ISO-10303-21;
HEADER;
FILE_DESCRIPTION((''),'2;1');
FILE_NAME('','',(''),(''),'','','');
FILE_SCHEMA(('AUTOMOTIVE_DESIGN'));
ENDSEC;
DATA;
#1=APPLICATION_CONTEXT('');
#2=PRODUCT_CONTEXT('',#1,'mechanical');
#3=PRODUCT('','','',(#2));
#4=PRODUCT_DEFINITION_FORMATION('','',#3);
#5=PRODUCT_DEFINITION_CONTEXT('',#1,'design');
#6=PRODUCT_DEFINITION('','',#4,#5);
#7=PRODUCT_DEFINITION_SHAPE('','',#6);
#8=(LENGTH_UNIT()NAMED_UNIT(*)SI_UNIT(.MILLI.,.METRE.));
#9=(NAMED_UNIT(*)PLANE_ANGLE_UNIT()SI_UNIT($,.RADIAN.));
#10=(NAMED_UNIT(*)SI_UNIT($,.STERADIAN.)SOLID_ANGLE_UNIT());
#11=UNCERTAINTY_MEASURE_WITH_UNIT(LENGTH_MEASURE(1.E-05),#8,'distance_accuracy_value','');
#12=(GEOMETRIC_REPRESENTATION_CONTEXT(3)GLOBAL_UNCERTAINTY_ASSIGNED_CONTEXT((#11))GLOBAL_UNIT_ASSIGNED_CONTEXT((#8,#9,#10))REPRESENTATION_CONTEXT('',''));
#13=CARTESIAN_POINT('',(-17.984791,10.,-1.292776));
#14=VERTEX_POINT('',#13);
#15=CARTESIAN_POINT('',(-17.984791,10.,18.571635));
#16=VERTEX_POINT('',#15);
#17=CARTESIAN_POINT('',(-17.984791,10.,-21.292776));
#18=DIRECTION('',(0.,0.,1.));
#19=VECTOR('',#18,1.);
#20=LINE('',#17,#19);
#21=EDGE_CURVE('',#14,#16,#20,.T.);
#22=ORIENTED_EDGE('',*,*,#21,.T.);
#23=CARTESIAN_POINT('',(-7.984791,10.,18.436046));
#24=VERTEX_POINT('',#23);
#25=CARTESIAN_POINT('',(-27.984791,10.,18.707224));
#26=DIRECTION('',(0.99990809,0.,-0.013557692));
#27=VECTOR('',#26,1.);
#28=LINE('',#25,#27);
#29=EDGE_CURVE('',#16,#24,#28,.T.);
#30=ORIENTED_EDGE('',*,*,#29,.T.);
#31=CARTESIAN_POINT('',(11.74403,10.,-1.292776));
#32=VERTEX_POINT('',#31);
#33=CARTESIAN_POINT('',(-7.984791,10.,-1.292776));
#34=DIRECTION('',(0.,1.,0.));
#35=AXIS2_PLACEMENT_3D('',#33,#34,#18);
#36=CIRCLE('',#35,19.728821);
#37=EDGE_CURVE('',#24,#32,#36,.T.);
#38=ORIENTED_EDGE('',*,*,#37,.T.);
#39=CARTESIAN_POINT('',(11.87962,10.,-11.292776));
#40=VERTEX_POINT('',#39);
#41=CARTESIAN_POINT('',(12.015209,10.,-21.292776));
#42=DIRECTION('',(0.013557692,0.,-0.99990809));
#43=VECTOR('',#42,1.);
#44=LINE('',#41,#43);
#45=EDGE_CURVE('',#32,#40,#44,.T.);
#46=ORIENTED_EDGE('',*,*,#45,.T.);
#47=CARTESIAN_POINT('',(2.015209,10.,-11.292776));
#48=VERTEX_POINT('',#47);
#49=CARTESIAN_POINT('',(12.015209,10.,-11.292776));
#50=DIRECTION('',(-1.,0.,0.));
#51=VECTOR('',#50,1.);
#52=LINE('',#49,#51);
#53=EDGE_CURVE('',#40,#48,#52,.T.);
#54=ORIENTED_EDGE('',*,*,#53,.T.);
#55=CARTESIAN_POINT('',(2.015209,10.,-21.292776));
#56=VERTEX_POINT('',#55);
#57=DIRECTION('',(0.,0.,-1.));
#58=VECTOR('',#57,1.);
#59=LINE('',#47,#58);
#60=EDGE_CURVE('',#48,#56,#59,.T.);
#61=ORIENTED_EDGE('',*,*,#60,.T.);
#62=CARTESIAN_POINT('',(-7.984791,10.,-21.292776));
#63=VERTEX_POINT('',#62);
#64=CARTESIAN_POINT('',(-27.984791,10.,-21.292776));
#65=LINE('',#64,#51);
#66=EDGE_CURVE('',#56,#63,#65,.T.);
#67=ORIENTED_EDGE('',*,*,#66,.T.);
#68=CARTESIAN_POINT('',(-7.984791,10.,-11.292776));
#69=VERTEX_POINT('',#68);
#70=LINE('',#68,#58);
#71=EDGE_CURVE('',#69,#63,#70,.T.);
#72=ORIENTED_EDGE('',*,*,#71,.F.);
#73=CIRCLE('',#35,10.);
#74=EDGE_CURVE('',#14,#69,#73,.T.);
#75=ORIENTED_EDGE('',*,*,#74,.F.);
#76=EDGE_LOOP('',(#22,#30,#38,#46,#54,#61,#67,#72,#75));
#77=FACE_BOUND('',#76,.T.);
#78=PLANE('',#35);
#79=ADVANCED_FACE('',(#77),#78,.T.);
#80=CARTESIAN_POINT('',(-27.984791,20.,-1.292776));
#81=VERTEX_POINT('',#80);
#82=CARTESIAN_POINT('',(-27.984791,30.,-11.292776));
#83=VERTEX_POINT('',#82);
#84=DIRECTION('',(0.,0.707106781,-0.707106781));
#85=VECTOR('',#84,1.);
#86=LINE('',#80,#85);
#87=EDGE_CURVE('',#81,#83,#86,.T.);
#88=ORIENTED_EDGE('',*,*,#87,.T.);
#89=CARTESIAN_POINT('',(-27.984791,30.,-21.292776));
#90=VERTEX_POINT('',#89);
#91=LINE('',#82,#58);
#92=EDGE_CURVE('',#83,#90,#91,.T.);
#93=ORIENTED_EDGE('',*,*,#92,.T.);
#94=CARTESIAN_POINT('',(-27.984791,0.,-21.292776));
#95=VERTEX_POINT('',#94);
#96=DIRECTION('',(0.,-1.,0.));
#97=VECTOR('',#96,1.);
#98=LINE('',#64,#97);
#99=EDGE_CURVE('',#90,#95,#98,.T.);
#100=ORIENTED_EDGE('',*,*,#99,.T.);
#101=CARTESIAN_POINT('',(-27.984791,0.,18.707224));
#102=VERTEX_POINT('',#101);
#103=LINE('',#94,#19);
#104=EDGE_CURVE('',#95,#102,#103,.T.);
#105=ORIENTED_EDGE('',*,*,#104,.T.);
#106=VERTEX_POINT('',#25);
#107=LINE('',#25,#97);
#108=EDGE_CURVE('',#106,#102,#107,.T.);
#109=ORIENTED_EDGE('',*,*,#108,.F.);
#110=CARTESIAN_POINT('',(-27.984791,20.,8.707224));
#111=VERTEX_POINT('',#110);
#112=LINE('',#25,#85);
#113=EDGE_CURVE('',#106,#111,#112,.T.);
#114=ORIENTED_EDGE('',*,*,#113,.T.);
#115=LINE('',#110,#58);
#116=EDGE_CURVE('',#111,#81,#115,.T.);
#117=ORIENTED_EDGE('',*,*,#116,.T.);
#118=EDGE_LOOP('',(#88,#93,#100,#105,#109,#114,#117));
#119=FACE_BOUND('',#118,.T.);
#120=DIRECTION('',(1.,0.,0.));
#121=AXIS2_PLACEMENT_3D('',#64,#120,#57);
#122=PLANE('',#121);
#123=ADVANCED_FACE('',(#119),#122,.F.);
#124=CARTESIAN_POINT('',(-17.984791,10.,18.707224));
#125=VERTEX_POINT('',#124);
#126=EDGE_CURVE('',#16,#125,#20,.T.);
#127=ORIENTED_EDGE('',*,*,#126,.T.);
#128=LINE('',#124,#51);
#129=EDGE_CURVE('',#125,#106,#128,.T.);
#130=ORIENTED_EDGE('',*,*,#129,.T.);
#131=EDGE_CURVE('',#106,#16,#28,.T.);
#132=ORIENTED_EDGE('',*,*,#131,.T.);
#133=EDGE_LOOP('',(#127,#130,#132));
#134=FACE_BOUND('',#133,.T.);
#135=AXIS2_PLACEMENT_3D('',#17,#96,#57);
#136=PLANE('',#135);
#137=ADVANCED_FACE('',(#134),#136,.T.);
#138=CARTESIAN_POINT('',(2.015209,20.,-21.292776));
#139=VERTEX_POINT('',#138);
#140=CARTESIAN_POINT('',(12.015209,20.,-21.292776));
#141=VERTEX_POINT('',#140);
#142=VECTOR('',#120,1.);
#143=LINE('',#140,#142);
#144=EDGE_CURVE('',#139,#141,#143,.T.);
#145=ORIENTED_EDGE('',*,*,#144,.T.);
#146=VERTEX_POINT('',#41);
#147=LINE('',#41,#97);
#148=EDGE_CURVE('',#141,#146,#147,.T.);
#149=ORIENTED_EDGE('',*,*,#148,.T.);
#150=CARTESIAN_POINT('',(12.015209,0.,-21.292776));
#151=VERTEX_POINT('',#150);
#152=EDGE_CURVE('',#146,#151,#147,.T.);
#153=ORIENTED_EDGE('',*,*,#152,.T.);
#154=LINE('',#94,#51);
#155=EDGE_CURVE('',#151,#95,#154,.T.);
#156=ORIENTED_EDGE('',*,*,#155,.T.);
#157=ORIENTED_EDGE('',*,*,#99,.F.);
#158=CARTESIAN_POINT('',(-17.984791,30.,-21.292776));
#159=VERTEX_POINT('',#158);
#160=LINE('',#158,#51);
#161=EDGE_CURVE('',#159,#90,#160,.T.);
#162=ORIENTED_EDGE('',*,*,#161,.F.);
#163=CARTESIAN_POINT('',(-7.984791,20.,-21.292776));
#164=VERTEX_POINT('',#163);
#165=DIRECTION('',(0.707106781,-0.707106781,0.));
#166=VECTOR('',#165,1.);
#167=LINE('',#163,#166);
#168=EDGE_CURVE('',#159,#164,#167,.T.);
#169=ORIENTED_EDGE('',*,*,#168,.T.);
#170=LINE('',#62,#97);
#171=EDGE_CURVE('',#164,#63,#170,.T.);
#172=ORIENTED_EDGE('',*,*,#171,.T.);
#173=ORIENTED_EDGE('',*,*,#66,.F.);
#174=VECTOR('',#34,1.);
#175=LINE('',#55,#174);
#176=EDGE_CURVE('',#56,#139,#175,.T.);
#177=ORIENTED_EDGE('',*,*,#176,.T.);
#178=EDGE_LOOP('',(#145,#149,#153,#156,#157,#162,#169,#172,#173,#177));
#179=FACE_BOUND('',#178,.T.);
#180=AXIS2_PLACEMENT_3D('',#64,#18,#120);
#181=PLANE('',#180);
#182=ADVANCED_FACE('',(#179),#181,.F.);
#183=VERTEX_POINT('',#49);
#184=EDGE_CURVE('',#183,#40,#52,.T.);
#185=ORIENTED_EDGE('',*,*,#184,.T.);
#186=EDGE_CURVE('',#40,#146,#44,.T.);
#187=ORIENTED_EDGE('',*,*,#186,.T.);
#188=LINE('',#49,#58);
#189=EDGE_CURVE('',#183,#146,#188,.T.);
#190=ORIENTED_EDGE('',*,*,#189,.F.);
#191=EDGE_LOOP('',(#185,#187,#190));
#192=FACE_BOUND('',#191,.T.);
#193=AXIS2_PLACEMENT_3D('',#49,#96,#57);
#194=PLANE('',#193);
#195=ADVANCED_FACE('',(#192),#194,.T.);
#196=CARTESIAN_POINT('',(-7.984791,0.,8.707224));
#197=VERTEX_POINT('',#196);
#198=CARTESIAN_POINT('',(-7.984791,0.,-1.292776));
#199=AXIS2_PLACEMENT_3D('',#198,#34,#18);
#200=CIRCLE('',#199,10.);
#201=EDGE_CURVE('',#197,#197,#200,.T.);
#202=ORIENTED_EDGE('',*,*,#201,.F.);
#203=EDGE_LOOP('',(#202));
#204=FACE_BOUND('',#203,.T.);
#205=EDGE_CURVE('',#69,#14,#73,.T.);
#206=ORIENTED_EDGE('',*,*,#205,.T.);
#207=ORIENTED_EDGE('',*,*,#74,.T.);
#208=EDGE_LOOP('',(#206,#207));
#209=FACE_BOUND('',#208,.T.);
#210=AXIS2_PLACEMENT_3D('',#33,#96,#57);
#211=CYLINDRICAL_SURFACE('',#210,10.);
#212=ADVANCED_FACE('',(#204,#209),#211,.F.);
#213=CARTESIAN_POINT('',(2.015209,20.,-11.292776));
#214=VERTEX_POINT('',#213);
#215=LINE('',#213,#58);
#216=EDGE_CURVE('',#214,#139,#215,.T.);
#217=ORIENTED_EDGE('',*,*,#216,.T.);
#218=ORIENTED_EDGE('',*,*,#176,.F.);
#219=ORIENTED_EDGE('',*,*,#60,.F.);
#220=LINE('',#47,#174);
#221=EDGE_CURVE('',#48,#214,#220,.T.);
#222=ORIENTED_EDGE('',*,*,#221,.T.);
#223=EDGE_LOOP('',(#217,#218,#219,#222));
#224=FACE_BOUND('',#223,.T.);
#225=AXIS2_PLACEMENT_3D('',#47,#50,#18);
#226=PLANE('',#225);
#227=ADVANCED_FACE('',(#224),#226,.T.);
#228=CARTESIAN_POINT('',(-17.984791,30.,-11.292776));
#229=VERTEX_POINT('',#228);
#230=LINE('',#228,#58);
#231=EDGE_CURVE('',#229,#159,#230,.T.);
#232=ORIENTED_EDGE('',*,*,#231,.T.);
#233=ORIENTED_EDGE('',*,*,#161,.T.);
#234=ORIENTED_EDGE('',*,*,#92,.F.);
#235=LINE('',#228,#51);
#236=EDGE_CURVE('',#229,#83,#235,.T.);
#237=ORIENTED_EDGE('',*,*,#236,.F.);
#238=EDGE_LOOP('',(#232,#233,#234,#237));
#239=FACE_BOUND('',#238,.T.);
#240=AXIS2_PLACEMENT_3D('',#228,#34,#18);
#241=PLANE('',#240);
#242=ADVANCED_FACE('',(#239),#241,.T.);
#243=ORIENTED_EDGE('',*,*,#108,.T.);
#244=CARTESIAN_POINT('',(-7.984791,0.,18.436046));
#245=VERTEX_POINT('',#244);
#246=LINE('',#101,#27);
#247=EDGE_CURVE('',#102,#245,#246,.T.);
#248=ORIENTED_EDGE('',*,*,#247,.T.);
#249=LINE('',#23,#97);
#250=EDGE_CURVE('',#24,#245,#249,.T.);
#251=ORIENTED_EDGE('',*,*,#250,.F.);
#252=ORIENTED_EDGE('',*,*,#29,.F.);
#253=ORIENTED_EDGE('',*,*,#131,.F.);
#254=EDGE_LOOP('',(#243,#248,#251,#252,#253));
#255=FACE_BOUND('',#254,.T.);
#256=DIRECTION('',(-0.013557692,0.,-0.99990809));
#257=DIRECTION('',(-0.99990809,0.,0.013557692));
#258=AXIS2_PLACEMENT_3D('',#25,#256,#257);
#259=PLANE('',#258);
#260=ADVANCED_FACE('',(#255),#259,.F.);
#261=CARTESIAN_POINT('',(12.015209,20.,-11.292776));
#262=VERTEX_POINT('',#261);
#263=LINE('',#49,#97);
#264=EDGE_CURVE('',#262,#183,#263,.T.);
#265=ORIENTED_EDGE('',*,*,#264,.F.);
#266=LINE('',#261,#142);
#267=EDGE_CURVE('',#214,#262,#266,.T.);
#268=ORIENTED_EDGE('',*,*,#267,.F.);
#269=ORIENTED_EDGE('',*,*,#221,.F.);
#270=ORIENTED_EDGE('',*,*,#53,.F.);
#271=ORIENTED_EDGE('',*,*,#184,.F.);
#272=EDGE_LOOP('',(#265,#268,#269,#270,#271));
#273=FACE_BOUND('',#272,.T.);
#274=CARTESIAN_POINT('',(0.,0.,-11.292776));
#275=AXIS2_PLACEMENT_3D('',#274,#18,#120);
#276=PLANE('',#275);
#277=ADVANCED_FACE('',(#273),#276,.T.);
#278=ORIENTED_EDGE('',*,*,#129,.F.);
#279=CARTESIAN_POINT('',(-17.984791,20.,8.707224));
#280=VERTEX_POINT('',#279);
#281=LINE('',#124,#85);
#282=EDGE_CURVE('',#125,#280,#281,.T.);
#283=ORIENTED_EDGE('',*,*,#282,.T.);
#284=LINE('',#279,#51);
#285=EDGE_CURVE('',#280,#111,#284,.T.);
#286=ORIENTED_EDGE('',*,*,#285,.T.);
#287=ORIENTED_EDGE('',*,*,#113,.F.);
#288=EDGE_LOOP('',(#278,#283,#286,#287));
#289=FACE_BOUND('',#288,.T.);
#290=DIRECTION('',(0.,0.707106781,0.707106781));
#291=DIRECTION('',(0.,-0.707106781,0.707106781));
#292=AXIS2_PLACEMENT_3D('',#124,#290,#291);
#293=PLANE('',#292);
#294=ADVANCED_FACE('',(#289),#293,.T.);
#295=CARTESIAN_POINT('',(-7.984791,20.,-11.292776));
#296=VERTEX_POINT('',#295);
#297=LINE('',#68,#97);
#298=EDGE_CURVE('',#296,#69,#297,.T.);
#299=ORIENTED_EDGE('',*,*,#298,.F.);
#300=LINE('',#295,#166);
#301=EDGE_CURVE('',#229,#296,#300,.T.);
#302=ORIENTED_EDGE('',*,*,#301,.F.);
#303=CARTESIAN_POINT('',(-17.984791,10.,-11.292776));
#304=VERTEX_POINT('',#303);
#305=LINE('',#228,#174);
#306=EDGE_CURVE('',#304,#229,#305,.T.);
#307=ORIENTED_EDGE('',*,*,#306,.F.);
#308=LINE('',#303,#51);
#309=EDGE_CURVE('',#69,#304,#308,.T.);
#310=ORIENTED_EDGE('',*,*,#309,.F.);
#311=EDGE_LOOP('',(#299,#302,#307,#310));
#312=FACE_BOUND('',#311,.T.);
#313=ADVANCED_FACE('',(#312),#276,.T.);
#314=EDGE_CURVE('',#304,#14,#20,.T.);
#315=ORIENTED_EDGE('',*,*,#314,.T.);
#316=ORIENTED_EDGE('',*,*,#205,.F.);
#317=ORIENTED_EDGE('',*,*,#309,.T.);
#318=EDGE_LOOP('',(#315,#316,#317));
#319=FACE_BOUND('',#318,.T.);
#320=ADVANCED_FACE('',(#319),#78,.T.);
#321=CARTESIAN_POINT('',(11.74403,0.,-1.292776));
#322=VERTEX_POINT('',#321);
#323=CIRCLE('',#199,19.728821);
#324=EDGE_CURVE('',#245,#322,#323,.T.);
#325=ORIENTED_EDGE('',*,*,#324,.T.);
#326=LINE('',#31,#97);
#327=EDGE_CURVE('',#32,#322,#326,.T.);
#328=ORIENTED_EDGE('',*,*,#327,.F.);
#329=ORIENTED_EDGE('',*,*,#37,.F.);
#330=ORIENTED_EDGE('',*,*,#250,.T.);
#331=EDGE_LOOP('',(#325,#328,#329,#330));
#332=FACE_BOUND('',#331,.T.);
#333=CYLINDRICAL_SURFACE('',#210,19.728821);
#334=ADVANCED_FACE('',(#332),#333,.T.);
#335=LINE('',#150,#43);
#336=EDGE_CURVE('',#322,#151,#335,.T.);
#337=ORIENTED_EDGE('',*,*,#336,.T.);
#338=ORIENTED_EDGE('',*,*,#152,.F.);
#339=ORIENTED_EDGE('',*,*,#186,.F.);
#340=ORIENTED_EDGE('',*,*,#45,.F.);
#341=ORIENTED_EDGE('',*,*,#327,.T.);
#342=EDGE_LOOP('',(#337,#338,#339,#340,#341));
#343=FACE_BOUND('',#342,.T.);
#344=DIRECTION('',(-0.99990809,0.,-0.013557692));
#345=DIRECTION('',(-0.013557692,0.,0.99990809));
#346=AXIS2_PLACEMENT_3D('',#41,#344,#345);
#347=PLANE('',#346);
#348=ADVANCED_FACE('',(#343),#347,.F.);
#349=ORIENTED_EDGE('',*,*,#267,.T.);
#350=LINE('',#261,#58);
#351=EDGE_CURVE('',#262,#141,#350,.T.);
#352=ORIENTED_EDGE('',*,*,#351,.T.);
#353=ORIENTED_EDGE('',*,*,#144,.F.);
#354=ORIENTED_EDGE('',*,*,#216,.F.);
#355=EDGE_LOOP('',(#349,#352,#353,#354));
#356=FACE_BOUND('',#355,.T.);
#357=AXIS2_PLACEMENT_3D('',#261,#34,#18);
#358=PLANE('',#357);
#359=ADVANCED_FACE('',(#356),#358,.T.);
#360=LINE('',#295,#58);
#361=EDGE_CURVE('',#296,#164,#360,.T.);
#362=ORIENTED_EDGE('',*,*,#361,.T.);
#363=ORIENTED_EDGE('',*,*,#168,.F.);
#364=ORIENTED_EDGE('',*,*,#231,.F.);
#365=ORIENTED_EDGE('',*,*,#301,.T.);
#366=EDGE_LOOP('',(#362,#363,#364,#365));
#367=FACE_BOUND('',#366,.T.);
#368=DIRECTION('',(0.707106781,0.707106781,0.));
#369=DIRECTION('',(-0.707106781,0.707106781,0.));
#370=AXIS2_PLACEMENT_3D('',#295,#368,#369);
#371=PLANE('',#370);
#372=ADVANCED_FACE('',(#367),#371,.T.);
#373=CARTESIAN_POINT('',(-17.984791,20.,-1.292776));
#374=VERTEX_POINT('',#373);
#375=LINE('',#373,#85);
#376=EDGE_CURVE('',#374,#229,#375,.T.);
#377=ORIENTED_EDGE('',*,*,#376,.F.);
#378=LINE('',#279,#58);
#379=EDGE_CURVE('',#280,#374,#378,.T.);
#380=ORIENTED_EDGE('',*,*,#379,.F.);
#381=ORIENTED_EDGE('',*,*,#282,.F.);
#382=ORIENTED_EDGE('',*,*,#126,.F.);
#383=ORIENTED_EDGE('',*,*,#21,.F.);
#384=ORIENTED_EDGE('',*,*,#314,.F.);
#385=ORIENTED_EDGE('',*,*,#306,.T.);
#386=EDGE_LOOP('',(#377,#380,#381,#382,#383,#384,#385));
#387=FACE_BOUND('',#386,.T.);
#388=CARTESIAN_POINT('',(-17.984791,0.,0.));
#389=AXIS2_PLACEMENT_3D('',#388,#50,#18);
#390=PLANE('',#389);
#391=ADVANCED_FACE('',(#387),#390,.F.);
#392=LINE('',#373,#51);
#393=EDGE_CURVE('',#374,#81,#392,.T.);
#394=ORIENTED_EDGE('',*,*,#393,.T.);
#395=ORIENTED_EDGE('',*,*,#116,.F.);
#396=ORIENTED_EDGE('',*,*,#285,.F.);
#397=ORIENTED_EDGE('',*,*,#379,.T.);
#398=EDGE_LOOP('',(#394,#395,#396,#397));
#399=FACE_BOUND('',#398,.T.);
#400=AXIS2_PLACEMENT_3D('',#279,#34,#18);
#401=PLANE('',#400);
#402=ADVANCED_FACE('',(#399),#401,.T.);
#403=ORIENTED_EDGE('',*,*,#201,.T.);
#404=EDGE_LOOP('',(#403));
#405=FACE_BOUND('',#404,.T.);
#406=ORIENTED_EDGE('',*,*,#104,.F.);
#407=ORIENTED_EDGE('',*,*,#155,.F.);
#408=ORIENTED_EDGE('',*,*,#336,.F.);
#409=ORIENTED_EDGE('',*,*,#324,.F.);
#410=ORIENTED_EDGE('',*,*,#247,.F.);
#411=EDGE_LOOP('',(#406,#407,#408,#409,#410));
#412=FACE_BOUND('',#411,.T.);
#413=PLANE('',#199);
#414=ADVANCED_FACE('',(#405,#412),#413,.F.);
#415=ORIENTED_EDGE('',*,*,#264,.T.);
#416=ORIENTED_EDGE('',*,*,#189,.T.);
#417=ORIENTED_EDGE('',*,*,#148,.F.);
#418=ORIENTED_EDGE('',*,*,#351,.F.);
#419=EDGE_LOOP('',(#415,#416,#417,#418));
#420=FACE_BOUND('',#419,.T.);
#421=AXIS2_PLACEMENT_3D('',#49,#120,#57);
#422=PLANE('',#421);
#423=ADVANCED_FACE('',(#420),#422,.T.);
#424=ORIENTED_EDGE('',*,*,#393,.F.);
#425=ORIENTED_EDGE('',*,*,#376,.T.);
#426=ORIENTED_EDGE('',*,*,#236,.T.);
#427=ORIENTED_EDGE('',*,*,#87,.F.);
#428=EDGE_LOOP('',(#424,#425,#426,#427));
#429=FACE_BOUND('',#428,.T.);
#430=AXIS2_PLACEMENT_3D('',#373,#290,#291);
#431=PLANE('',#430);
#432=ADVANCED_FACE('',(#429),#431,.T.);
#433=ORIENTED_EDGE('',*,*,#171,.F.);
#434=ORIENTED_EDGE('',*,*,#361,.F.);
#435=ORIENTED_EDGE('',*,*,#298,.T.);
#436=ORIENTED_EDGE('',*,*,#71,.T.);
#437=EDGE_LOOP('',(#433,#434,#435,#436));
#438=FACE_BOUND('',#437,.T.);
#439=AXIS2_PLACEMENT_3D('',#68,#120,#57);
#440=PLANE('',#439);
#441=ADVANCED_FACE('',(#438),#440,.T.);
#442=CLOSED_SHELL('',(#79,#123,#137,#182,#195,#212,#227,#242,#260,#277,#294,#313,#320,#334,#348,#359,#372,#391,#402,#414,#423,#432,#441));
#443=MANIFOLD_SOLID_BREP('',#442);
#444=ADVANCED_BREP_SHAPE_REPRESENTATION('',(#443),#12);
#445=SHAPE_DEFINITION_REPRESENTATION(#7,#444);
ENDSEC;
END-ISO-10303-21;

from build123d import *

# Parameters (mm, degrees)
SKETCH1_R           = 10
BOSS_EXTRUDE1_DEPTH = 10
BOSS_EXTRUDE2_DEPTH = 10
SKETCH3_W           = 10
SKETCH3_H           = 10
BOSS_EXTRUDE3_DEPTH = 10


with BuildPart() as part:
    # Sketch1 → Boss-Extrude1 (new body)
    with BuildSketch(Plane(origin=(0, 0, 0), x_dir=(1, 0, 0), z_dir=(0, 1, 0))):
        with BuildLine():
            Line((-27.984790875, 21.292775665), (-27.984790875, -18.707224335))
            Line((-27.984790875, -18.707224335), (-7.984790875, -18.436045575))
            ThreePointArc((-7.984790875, -18.436045575), (5.96559241, -12.657607619), (11.744030366, 1.292775665))
            Line((11.744030366, 1.292775665), (12.015209125, 21.292775665))
            Line((12.015209125, 21.292775665), (-27.984790875, 21.292775665))
        make_face()
        with Locations(Location((-7.984790875, 1.292775665, 0), (0, 0, 270))):
            Circle(SKETCH1_R, mode=Mode.SUBTRACT)
    extrude(amount=BOSS_EXTRUDE1_DEPTH)

    # Sketch2 → Boss-Extrude2 (add)
    with BuildSketch(Plane.ZY.offset(27.984790875)):
        Polygon((18.707224335, 10), (8.707224335, 20), (-1.292775665, 20), (-11.292775665, 30), (-21.292775665, 30), (-21.292775665, 10), align=None)
    extrude(amount=-BOSS_EXTRUDE2_DEPTH)

    # Sketch3 → Boss-Extrude3 (add)
    with BuildSketch(Plane(origin=(0, 0, -21.292775665), x_dir=(-1, 0, 0), z_dir=(0, 0, -1))):
        Polygon((17.984790875, 30), (17.984790875, 10), (7.984790875, 10), (7.984790875, 20), align=None)
        with Locations((-7.015209125, 15)):
            Rectangle(SKETCH3_W, SKETCH3_H)
    extrude(amount=-BOSS_EXTRUDE3_DEPTH)


solid = part.part
